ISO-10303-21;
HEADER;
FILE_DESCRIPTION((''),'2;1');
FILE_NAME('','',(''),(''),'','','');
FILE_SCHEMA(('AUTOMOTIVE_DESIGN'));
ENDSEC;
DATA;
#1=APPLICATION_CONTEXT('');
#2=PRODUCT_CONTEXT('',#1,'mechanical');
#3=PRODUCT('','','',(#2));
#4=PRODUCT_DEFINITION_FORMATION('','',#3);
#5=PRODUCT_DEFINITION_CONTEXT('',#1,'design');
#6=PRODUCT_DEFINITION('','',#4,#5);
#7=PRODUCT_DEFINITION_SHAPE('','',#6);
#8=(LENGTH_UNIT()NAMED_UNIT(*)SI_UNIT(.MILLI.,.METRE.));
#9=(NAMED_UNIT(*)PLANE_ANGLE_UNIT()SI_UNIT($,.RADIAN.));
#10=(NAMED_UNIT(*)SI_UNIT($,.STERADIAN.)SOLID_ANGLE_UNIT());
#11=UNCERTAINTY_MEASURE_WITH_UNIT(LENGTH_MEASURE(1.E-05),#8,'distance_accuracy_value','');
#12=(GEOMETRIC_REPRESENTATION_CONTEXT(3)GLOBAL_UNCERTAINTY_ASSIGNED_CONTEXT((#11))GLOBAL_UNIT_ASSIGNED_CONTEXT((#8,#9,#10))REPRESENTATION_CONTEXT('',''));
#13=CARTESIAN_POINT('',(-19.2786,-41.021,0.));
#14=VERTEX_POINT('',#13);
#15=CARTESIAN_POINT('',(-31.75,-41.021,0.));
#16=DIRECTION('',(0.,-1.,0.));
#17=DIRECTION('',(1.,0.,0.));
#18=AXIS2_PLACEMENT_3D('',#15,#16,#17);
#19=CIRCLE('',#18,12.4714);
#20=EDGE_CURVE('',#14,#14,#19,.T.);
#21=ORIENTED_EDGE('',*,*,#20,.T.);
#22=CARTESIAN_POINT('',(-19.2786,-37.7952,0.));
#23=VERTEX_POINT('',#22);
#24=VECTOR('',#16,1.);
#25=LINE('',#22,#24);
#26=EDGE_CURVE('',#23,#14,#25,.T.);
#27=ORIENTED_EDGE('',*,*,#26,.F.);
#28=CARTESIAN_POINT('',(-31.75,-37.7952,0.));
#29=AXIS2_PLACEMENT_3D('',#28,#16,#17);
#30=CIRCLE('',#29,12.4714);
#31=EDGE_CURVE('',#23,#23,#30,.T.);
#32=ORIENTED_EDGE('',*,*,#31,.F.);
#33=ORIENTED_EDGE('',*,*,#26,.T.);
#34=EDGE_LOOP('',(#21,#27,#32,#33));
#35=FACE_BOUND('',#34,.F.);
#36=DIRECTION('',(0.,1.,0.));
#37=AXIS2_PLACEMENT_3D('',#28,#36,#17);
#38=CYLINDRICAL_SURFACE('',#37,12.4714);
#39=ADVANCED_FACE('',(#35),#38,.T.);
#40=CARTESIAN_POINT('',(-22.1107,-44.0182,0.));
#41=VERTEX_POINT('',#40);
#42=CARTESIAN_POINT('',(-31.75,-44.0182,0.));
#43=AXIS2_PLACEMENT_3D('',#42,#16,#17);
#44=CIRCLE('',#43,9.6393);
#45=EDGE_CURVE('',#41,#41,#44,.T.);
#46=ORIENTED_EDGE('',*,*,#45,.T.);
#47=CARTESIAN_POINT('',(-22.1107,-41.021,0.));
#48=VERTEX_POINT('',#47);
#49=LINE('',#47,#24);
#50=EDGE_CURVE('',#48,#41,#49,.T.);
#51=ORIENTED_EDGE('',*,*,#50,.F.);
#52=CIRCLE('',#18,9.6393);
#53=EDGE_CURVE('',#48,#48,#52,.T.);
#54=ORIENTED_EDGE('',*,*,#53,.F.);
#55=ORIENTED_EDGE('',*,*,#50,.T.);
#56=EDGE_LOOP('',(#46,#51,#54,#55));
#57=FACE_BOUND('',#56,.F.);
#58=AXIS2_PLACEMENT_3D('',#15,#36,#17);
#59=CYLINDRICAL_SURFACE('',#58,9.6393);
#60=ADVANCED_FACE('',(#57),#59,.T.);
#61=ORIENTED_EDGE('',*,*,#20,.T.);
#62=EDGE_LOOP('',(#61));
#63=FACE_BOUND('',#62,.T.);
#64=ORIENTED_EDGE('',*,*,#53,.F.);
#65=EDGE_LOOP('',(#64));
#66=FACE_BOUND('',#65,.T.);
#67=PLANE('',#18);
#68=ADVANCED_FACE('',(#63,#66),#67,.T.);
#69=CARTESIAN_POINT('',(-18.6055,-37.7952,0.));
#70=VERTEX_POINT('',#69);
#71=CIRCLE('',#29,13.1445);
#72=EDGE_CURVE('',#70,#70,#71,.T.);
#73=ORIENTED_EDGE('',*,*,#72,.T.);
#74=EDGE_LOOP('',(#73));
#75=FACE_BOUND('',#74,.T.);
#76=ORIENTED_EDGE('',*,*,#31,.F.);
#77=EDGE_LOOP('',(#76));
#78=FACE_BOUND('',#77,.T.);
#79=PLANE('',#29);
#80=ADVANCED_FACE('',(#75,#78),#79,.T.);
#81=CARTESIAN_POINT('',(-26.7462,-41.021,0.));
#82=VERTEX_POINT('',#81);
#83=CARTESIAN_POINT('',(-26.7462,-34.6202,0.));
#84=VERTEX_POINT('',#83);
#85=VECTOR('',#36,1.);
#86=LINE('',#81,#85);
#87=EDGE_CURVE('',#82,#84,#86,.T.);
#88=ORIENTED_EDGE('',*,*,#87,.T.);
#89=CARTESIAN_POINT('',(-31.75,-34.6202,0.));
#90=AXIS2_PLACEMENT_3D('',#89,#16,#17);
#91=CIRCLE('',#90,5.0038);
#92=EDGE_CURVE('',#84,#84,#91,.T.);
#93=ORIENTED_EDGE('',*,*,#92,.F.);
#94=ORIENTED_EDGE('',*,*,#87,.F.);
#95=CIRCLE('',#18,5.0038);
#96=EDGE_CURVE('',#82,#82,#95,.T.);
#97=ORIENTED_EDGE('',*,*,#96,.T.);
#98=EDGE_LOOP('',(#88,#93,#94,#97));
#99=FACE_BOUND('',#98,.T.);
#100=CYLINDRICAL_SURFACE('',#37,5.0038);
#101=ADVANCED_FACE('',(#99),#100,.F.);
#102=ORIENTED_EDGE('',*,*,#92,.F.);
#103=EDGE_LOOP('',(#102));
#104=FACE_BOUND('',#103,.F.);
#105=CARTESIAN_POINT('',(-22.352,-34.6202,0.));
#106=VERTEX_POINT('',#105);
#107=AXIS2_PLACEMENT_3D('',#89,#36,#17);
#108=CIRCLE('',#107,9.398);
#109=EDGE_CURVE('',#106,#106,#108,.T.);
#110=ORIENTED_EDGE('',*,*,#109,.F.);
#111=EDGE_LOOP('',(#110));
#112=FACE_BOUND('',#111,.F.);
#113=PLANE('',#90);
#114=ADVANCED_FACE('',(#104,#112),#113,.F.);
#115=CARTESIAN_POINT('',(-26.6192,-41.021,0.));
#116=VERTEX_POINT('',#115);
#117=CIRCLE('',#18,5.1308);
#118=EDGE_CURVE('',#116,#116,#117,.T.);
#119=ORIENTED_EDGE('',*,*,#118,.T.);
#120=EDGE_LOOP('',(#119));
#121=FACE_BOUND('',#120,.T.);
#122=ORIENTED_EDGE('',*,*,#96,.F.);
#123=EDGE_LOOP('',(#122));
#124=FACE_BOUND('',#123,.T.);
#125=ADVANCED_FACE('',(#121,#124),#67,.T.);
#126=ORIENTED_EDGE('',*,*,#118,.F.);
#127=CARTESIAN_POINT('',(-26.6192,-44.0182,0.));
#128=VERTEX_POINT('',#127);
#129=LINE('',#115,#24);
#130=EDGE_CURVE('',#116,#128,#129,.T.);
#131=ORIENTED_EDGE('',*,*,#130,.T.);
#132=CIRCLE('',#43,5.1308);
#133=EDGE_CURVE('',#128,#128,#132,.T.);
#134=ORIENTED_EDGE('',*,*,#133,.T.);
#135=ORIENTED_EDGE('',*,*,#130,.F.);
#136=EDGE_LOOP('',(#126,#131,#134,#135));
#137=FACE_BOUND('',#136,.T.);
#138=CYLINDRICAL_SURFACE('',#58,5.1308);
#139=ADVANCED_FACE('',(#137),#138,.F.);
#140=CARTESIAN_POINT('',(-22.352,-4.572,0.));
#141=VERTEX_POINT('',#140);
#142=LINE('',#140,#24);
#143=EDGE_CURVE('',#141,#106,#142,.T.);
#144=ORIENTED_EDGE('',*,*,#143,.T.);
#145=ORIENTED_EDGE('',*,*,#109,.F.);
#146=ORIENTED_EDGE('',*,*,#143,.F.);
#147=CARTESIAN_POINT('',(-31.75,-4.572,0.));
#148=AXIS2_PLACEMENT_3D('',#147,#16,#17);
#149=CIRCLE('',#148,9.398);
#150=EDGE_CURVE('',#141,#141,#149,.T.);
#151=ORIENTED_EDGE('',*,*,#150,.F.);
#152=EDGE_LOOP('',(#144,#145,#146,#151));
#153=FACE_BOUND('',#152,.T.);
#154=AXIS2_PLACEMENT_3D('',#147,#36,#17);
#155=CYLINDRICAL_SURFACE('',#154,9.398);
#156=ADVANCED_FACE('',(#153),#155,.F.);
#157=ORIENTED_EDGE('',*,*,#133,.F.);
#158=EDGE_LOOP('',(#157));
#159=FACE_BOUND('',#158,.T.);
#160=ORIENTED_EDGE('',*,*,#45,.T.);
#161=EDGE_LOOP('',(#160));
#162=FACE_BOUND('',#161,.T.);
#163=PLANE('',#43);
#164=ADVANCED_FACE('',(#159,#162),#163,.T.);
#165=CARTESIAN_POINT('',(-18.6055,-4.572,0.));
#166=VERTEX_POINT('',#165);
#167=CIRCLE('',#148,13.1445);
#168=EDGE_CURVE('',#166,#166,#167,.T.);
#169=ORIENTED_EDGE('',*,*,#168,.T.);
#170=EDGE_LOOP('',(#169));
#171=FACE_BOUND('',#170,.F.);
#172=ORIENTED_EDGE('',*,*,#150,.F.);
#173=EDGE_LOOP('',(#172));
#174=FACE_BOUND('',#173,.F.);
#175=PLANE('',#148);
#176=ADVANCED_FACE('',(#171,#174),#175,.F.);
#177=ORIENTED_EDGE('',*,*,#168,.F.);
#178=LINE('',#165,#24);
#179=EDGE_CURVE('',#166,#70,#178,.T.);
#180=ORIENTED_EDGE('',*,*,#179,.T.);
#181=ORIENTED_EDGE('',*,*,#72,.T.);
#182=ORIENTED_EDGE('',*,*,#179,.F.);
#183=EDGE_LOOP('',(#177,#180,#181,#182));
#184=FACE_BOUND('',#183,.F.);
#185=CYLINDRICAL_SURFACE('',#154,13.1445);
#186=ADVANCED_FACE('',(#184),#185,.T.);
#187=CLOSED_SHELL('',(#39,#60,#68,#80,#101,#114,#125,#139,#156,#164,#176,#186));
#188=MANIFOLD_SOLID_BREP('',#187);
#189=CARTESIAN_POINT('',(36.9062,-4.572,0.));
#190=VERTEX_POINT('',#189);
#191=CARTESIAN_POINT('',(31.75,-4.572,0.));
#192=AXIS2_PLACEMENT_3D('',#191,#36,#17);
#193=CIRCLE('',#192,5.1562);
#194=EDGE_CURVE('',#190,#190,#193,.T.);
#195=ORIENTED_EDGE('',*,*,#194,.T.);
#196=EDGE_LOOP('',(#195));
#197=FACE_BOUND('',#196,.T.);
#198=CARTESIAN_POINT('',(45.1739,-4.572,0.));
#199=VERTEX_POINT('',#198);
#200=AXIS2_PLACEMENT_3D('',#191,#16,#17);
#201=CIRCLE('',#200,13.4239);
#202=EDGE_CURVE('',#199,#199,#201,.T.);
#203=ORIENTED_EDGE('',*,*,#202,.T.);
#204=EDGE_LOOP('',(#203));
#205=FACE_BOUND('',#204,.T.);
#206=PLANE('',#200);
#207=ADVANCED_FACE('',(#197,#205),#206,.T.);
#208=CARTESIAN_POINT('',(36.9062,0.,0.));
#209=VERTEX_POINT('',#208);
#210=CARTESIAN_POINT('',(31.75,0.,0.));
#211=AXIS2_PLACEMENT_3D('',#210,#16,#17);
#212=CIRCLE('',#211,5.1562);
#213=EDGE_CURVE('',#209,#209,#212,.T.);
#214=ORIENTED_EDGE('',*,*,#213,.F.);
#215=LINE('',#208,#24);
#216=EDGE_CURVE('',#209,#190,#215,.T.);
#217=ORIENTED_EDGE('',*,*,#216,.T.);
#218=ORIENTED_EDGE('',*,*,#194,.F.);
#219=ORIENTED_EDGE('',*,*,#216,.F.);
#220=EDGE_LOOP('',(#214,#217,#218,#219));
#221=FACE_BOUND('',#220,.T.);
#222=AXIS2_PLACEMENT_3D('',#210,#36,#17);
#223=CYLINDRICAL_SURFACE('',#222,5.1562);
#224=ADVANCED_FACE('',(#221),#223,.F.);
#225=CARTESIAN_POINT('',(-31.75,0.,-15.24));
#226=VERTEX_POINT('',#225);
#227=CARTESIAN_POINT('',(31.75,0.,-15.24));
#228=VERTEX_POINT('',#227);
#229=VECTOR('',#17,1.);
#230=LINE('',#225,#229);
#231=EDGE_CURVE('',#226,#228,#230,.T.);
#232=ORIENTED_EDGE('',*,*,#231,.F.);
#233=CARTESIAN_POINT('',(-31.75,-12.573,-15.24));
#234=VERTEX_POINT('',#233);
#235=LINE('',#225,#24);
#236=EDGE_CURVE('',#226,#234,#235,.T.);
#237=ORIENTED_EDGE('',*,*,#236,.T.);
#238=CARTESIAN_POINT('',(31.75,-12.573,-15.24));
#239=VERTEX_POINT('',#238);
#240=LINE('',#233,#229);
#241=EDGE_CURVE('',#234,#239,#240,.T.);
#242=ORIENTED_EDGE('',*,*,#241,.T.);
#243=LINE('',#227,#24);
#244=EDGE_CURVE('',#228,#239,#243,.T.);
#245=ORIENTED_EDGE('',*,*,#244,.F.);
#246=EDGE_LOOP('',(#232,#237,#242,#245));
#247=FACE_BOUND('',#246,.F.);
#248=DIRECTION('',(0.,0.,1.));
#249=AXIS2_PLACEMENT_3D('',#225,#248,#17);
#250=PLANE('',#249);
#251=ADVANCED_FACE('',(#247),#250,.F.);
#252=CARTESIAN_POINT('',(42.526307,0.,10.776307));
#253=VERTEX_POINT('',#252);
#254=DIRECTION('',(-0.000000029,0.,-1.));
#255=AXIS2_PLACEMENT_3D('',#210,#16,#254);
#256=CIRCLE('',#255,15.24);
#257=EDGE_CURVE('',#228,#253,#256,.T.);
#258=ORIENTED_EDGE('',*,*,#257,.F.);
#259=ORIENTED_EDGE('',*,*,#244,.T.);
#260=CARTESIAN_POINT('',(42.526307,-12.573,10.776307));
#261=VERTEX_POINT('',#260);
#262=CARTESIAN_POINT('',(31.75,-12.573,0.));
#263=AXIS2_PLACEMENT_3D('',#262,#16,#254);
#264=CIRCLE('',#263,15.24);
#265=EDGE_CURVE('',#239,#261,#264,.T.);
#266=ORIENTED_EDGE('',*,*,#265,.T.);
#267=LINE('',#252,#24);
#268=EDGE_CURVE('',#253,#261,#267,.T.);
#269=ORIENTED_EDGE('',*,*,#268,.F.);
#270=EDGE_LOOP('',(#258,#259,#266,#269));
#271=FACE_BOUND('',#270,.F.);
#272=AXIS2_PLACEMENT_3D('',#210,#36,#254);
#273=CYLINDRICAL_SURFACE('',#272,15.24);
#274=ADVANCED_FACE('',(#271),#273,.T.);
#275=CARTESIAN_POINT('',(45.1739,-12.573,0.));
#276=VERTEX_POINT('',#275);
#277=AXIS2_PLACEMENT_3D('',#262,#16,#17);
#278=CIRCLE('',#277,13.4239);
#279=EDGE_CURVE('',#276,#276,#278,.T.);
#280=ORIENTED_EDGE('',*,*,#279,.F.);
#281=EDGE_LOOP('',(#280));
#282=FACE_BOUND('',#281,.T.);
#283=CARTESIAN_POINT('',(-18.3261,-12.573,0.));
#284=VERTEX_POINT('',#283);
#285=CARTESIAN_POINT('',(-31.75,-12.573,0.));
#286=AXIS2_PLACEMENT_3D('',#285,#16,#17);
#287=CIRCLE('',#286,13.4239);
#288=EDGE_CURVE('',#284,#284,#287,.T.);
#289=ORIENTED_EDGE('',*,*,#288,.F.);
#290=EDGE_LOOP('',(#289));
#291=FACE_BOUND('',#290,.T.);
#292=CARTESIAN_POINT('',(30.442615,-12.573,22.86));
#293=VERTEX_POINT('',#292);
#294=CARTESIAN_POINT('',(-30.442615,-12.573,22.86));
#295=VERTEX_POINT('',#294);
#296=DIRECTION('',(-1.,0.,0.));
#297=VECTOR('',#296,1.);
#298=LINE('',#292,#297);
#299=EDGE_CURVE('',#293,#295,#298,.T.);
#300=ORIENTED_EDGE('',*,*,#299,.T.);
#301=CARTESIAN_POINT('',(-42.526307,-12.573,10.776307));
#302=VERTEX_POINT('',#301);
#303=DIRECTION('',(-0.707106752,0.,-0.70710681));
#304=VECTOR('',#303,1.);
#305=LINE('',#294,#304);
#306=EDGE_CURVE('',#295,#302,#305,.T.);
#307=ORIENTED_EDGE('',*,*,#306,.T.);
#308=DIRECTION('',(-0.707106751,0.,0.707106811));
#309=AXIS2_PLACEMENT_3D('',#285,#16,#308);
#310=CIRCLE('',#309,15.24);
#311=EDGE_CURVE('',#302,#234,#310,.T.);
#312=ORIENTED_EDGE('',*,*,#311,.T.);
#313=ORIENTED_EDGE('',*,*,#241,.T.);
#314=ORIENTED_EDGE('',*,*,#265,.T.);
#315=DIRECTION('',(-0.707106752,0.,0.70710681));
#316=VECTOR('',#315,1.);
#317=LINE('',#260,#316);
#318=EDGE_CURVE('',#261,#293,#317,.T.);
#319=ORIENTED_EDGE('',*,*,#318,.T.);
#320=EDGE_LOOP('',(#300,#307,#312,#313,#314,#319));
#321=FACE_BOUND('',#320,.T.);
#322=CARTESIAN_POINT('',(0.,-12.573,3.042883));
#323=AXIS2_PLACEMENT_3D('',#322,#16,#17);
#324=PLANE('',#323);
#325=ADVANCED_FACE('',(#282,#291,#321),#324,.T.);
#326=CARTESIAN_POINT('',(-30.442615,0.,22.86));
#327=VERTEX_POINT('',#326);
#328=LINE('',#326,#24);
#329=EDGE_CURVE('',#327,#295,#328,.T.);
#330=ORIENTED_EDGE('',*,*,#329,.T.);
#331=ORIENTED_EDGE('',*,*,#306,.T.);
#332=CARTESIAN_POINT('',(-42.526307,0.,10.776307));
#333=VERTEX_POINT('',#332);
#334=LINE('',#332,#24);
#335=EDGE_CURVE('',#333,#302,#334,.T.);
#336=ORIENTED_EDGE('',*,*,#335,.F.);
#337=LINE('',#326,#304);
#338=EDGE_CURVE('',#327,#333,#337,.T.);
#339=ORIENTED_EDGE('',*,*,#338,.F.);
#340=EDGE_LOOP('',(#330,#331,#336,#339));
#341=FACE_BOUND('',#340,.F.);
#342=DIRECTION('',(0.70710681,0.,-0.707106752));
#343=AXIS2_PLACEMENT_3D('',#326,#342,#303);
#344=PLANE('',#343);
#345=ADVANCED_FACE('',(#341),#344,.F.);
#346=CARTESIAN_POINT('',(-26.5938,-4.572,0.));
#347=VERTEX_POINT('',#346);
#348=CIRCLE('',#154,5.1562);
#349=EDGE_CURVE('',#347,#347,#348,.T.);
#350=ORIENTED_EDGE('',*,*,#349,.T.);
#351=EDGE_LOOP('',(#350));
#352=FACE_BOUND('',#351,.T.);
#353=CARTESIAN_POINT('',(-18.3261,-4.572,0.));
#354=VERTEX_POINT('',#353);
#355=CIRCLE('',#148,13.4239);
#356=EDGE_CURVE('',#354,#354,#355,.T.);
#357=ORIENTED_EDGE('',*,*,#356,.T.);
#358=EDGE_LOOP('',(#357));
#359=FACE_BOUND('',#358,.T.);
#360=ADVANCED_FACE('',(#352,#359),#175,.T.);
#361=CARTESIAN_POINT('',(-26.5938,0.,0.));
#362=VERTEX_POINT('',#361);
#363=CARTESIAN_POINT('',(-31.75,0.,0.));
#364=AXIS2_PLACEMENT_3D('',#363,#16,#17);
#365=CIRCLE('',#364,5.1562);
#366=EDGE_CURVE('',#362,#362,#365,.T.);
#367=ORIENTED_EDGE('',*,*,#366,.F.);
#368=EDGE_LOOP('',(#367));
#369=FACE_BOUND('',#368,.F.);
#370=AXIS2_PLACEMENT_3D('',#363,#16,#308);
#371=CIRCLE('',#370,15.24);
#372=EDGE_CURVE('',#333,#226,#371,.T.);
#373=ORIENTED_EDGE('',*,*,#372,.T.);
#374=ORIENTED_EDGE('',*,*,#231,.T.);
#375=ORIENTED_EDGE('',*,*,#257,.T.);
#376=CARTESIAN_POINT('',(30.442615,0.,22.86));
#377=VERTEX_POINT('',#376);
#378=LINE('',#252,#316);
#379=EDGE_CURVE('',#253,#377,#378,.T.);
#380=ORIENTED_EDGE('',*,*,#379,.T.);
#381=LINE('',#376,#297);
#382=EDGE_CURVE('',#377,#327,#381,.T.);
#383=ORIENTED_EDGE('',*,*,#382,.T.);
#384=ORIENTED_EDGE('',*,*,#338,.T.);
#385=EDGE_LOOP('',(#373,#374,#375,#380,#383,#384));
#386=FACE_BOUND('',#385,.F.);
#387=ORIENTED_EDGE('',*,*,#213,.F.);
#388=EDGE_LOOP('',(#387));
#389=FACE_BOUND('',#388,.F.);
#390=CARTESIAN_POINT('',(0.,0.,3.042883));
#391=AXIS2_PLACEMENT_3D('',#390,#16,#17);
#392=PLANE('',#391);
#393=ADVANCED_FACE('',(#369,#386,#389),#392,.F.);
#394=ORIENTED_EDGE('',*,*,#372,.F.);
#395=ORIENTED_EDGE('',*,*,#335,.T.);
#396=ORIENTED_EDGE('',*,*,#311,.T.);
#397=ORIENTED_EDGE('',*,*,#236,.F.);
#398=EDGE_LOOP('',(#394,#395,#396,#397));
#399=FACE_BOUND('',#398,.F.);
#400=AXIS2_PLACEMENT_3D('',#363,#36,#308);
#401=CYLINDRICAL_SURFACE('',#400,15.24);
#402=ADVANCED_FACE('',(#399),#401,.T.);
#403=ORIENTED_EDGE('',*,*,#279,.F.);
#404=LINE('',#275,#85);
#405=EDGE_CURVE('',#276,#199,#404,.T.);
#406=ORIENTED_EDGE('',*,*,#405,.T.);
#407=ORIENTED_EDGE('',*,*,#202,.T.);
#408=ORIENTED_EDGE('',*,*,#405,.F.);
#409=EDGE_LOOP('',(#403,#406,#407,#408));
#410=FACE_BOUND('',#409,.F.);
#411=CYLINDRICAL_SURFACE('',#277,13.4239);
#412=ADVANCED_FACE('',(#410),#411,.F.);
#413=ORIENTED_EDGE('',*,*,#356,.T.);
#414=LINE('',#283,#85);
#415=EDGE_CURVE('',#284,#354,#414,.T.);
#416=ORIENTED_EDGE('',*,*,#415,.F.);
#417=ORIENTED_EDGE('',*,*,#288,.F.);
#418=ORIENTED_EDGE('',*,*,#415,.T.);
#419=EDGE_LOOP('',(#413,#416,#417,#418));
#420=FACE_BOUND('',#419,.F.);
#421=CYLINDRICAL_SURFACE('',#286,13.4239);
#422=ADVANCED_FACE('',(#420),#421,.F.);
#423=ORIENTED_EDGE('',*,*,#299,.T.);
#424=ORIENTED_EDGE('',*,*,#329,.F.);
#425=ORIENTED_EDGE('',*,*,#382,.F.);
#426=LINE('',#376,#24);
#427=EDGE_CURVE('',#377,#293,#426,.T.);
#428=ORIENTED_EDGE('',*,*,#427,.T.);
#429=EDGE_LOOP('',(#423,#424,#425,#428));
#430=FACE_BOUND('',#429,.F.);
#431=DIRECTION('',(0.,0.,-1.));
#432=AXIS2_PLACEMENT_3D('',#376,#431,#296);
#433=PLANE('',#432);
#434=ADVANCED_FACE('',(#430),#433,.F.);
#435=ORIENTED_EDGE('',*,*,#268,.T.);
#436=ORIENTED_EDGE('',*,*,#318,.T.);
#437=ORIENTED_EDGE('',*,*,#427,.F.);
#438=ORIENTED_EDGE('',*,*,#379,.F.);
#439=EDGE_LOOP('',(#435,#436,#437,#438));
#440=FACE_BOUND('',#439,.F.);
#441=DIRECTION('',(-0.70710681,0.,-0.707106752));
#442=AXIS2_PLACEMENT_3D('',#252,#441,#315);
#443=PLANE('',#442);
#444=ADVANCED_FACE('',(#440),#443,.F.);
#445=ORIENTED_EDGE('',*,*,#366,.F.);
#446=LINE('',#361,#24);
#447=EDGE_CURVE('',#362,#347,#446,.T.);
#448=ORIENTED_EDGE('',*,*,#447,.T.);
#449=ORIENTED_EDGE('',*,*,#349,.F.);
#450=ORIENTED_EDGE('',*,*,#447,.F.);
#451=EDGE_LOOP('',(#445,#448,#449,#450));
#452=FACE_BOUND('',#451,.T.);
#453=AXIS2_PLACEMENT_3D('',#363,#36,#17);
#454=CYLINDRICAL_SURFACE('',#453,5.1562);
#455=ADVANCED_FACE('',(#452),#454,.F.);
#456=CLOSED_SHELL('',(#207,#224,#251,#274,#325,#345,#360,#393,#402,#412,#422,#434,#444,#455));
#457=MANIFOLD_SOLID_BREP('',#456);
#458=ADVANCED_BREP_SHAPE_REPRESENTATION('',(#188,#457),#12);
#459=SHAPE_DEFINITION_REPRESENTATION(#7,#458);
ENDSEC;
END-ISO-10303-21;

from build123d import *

# Parameters (mm, degrees)
F0_R      = 5.1562
F1_DEPTH  = 12.573
F2_R      = 13.4239
F3_DEPTH  = 8.001
F4_R      = 13.1445
F4_R_2    = 9.398
F5_DEPTH  = 33.2232
F6_R      = 9.4361
F6_R_2    = 5.0038
F7_DEPTH  = 3.175
F8_R      = 12.4714
F8_R_2    = 5.0038
F9_DEPTH  = 3.2258
F10_R     = 9.6393
F10_R_2   = 5.1308
F11_DEPTH = 2.9972


with BuildPart() as f1:
    # F0 (on Front) → F1 (new body)
    with BuildSketch(Plane.XZ):
        with BuildLine():
            ThreePointArc((-42.526307, 10.776307), (-45.829924, -5.832096), (-31.75, -15.24))
            Line((-31.75, -15.24), (31.75, -15.24))
            ThreePointArc((31.75, -15.24), (45.829924, -5.832096), (42.526307, 10.776307))
            Line((42.526307, 10.776307), (30.442615, 22.86))
            Line((30.442615, 22.86), (-30.442615, 22.86))
            Line((-30.442615, 22.86), (-42.526307, 10.776307))
        make_face()
        with Locations((-31.75, 0)):
            Circle(F0_R, mode=Mode.SUBTRACT)
        with Locations((31.75, 0)):
            Circle(F0_R, mode=Mode.SUBTRACT)
    extrude(amount=F1_DEPTH)

    # F2 (on face) → F3 (cut)
    with BuildSketch(Plane.XZ.offset(12.573)):
        with Locations((-31.75, 0)):
            Circle(F2_R)
        with Locations((31.75, 0)):
            Circle(F2_R)
    extrude(amount=-F3_DEPTH, mode=Mode.SUBTRACT)


with BuildPart() as f5:
    # F4 (on face) → F5 (new body)
    with BuildSketch(Plane.XZ.offset(4.572)):
        with Locations((-31.75, 0)):
            Circle(F4_R)
        with Locations((-31.75, 0)):
            Circle(F4_R_2, mode=Mode.SUBTRACT)
    extrude(amount=F5_DEPTH)

    # F6 (on face) → F7 (join)
    with BuildSketch(Plane.XZ.offset(37.7952)):
        with Locations((-31.75, 0)):
            Circle(F6_R)
        with Locations((-31.75, 0)):
            Circle(F6_R_2, mode=Mode.SUBTRACT)
    extrude(amount=-F7_DEPTH)

    # F8 (on face) → F9 (join)
    with BuildSketch(Plane.XZ.offset(37.7952)):
        with Locations((-31.75, 0)):
            Circle(F8_R)
        with Locations((-31.75, 0)):
            Circle(F8_R_2, mode=Mode.SUBTRACT)
    extrude(amount=F9_DEPTH)

    # F10 (on face) → F11 (join)
    with BuildSketch(Plane.XZ.offset(41.021)):
        with Locations((-31.75, 0)):
            Circle(F10_R)
        with Locations((-31.75, 0)):
            Circle(F10_R_2, mode=Mode.SUBTRACT)
    extrude(amount=F11_DEPTH)


solid = Compound([f1.part, f5.part])
